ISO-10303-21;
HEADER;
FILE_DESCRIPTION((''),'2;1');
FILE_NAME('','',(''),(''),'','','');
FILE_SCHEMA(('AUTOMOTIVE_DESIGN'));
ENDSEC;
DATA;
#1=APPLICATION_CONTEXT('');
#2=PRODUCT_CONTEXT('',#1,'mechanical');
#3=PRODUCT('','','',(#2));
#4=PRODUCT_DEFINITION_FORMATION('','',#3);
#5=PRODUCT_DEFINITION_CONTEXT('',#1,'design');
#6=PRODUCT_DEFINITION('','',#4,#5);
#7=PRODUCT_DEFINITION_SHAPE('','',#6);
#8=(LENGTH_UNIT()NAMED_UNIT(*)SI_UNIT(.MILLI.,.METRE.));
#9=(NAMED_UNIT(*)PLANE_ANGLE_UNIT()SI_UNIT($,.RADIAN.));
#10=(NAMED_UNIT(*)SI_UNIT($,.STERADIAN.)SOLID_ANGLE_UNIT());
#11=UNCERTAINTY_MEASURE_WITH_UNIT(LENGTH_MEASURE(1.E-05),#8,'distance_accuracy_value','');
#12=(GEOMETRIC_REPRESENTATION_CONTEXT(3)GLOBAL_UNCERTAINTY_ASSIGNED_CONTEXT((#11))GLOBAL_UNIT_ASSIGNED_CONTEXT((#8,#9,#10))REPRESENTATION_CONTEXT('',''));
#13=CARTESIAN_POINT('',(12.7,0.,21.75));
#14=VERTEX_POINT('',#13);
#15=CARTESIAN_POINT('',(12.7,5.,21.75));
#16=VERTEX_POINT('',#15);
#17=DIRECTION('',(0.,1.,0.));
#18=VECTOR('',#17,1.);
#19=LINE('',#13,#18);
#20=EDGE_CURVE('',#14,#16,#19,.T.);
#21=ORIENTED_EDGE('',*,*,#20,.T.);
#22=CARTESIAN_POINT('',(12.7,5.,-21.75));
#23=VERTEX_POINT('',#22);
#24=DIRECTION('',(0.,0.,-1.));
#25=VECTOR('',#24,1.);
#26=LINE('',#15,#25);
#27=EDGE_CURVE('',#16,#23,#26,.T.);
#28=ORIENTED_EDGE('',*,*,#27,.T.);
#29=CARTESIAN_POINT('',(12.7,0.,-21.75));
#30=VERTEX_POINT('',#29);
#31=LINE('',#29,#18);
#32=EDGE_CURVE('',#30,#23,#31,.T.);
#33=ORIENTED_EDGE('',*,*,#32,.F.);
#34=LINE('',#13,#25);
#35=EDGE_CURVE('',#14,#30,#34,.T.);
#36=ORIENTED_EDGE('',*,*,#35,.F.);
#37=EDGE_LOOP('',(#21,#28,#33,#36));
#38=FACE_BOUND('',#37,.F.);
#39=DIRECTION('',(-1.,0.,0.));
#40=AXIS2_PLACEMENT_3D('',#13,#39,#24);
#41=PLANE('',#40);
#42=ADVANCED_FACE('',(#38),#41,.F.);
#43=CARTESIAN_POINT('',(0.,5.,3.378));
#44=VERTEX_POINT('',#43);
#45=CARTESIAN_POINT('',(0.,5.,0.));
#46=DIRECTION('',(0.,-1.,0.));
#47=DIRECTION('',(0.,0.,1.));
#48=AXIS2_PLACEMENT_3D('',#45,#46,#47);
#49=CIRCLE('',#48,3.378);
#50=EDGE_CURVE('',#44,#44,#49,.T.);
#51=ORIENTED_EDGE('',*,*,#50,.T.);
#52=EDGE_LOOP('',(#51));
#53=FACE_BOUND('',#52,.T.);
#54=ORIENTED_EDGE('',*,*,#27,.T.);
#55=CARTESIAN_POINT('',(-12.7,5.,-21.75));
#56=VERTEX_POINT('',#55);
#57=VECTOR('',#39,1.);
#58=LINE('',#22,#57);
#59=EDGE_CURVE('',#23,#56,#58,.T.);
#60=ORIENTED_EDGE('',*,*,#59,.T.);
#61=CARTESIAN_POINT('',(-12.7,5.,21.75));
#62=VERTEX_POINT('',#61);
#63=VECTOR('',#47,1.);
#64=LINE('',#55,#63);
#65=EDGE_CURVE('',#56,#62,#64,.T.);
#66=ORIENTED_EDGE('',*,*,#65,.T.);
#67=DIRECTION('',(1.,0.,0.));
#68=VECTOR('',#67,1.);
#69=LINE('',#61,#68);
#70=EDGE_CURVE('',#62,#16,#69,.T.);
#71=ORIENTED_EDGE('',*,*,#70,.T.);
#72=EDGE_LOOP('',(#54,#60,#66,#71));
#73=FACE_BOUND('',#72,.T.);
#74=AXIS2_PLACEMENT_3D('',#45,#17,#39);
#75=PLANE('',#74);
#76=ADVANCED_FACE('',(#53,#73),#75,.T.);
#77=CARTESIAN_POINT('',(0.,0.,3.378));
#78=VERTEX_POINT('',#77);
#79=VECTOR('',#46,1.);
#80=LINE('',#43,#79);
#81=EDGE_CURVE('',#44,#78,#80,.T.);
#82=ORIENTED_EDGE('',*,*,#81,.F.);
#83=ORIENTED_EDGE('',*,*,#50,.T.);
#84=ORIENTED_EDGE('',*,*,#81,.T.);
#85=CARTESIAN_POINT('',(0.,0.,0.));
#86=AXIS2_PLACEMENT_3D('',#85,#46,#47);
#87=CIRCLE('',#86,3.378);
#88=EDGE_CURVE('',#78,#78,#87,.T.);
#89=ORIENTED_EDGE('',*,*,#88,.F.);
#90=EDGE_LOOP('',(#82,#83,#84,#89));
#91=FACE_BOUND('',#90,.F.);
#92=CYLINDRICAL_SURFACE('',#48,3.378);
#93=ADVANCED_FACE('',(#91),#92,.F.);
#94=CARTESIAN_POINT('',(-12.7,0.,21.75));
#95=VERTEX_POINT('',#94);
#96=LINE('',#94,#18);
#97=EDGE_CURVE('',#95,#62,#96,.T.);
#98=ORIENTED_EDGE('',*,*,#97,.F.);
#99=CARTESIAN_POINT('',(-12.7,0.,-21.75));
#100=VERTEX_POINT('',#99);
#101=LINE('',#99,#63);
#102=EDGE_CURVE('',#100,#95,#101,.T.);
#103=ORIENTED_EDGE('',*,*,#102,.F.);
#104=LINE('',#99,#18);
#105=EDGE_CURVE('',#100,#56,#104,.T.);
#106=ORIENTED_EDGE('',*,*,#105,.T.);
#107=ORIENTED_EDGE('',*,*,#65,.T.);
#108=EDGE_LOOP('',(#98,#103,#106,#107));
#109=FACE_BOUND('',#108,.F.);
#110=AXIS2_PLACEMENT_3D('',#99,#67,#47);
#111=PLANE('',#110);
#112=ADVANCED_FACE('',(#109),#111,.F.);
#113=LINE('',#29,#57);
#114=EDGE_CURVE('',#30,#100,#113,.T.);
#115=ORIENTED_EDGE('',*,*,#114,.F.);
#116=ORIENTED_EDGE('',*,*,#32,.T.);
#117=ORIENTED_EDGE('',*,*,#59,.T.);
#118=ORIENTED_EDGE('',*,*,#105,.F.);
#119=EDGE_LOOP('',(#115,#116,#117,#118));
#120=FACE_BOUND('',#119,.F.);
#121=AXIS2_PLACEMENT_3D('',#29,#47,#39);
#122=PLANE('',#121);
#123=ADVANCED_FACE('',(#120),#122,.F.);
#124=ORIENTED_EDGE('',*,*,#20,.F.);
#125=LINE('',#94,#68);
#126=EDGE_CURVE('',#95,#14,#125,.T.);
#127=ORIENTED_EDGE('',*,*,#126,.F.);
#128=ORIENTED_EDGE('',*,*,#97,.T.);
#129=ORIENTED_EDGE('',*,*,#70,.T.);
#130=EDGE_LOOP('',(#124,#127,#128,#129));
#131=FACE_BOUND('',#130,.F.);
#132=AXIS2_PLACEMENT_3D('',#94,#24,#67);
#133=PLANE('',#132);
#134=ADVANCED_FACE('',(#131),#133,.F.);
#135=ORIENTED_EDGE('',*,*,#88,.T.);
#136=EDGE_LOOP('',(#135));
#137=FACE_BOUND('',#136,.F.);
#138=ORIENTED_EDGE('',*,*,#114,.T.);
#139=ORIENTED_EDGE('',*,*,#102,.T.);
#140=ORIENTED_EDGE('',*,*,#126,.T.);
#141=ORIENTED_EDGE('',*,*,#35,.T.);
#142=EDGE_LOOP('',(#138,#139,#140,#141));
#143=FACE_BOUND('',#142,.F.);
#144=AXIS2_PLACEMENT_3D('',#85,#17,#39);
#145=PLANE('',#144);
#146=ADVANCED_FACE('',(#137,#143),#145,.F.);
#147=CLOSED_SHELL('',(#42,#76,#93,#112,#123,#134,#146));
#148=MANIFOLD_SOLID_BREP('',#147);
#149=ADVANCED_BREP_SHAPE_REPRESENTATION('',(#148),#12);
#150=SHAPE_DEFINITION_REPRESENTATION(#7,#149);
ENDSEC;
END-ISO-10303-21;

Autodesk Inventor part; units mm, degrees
ref_plane "YZ Plane" through (0, 0, 0) normal (1, 0, 0) x (0, 1, 0)
ref_plane "XZ Plane" through (0, 0, 0) normal (0, 1, 0) x (-1, 0, 0)
ref_plane "XY Plane" through (0, 0, 0) normal (0, 0, 1) x (1, 0, 0)
sketch "Sketch1" plane through (0, 0, 0) normal (0, 1, 0) x (-1, 0, 0)
  line L0 (12.7, 21.75) -> (-12.7, 21.75)
  line L1 (-12.7, 21.75) -> (-12.7, -21.75)
  line L2 (-12.7, -21.75) -> (12.7, -21.75)
  line L3 (12.7, -21.75) -> (12.7, 21.75)
  line L4 (12.7, 21.75) -> (-12.7, -21.75) construction
  line L5 (-12.7, 21.75) -> (12.7, -21.75) construction
  point P0 (0, 0)
  dimension "d0" = 25.4
  dimension "d1" = 43.5
extrude "Extrusion1" add sketch "Sketch1" along normal blind 5
sketch "Sketch2" plane through (0, 5, 0) normal (0, 1, 0) x (1, 0, 0)
  point P0 (0, 0)
  point P1 (0, 0)
  dimension "d11" = 0
  dimension "d12" = 0
hole "Hole1" at (0, 5, 0) direction (0, -1, 0) diameter 6.756 depth 25.4 clearance for "Flat Head Machine Screw (82)" size "1/4" standard "Ansi Unified Screw Threads"
properties part number "stage_shim"
